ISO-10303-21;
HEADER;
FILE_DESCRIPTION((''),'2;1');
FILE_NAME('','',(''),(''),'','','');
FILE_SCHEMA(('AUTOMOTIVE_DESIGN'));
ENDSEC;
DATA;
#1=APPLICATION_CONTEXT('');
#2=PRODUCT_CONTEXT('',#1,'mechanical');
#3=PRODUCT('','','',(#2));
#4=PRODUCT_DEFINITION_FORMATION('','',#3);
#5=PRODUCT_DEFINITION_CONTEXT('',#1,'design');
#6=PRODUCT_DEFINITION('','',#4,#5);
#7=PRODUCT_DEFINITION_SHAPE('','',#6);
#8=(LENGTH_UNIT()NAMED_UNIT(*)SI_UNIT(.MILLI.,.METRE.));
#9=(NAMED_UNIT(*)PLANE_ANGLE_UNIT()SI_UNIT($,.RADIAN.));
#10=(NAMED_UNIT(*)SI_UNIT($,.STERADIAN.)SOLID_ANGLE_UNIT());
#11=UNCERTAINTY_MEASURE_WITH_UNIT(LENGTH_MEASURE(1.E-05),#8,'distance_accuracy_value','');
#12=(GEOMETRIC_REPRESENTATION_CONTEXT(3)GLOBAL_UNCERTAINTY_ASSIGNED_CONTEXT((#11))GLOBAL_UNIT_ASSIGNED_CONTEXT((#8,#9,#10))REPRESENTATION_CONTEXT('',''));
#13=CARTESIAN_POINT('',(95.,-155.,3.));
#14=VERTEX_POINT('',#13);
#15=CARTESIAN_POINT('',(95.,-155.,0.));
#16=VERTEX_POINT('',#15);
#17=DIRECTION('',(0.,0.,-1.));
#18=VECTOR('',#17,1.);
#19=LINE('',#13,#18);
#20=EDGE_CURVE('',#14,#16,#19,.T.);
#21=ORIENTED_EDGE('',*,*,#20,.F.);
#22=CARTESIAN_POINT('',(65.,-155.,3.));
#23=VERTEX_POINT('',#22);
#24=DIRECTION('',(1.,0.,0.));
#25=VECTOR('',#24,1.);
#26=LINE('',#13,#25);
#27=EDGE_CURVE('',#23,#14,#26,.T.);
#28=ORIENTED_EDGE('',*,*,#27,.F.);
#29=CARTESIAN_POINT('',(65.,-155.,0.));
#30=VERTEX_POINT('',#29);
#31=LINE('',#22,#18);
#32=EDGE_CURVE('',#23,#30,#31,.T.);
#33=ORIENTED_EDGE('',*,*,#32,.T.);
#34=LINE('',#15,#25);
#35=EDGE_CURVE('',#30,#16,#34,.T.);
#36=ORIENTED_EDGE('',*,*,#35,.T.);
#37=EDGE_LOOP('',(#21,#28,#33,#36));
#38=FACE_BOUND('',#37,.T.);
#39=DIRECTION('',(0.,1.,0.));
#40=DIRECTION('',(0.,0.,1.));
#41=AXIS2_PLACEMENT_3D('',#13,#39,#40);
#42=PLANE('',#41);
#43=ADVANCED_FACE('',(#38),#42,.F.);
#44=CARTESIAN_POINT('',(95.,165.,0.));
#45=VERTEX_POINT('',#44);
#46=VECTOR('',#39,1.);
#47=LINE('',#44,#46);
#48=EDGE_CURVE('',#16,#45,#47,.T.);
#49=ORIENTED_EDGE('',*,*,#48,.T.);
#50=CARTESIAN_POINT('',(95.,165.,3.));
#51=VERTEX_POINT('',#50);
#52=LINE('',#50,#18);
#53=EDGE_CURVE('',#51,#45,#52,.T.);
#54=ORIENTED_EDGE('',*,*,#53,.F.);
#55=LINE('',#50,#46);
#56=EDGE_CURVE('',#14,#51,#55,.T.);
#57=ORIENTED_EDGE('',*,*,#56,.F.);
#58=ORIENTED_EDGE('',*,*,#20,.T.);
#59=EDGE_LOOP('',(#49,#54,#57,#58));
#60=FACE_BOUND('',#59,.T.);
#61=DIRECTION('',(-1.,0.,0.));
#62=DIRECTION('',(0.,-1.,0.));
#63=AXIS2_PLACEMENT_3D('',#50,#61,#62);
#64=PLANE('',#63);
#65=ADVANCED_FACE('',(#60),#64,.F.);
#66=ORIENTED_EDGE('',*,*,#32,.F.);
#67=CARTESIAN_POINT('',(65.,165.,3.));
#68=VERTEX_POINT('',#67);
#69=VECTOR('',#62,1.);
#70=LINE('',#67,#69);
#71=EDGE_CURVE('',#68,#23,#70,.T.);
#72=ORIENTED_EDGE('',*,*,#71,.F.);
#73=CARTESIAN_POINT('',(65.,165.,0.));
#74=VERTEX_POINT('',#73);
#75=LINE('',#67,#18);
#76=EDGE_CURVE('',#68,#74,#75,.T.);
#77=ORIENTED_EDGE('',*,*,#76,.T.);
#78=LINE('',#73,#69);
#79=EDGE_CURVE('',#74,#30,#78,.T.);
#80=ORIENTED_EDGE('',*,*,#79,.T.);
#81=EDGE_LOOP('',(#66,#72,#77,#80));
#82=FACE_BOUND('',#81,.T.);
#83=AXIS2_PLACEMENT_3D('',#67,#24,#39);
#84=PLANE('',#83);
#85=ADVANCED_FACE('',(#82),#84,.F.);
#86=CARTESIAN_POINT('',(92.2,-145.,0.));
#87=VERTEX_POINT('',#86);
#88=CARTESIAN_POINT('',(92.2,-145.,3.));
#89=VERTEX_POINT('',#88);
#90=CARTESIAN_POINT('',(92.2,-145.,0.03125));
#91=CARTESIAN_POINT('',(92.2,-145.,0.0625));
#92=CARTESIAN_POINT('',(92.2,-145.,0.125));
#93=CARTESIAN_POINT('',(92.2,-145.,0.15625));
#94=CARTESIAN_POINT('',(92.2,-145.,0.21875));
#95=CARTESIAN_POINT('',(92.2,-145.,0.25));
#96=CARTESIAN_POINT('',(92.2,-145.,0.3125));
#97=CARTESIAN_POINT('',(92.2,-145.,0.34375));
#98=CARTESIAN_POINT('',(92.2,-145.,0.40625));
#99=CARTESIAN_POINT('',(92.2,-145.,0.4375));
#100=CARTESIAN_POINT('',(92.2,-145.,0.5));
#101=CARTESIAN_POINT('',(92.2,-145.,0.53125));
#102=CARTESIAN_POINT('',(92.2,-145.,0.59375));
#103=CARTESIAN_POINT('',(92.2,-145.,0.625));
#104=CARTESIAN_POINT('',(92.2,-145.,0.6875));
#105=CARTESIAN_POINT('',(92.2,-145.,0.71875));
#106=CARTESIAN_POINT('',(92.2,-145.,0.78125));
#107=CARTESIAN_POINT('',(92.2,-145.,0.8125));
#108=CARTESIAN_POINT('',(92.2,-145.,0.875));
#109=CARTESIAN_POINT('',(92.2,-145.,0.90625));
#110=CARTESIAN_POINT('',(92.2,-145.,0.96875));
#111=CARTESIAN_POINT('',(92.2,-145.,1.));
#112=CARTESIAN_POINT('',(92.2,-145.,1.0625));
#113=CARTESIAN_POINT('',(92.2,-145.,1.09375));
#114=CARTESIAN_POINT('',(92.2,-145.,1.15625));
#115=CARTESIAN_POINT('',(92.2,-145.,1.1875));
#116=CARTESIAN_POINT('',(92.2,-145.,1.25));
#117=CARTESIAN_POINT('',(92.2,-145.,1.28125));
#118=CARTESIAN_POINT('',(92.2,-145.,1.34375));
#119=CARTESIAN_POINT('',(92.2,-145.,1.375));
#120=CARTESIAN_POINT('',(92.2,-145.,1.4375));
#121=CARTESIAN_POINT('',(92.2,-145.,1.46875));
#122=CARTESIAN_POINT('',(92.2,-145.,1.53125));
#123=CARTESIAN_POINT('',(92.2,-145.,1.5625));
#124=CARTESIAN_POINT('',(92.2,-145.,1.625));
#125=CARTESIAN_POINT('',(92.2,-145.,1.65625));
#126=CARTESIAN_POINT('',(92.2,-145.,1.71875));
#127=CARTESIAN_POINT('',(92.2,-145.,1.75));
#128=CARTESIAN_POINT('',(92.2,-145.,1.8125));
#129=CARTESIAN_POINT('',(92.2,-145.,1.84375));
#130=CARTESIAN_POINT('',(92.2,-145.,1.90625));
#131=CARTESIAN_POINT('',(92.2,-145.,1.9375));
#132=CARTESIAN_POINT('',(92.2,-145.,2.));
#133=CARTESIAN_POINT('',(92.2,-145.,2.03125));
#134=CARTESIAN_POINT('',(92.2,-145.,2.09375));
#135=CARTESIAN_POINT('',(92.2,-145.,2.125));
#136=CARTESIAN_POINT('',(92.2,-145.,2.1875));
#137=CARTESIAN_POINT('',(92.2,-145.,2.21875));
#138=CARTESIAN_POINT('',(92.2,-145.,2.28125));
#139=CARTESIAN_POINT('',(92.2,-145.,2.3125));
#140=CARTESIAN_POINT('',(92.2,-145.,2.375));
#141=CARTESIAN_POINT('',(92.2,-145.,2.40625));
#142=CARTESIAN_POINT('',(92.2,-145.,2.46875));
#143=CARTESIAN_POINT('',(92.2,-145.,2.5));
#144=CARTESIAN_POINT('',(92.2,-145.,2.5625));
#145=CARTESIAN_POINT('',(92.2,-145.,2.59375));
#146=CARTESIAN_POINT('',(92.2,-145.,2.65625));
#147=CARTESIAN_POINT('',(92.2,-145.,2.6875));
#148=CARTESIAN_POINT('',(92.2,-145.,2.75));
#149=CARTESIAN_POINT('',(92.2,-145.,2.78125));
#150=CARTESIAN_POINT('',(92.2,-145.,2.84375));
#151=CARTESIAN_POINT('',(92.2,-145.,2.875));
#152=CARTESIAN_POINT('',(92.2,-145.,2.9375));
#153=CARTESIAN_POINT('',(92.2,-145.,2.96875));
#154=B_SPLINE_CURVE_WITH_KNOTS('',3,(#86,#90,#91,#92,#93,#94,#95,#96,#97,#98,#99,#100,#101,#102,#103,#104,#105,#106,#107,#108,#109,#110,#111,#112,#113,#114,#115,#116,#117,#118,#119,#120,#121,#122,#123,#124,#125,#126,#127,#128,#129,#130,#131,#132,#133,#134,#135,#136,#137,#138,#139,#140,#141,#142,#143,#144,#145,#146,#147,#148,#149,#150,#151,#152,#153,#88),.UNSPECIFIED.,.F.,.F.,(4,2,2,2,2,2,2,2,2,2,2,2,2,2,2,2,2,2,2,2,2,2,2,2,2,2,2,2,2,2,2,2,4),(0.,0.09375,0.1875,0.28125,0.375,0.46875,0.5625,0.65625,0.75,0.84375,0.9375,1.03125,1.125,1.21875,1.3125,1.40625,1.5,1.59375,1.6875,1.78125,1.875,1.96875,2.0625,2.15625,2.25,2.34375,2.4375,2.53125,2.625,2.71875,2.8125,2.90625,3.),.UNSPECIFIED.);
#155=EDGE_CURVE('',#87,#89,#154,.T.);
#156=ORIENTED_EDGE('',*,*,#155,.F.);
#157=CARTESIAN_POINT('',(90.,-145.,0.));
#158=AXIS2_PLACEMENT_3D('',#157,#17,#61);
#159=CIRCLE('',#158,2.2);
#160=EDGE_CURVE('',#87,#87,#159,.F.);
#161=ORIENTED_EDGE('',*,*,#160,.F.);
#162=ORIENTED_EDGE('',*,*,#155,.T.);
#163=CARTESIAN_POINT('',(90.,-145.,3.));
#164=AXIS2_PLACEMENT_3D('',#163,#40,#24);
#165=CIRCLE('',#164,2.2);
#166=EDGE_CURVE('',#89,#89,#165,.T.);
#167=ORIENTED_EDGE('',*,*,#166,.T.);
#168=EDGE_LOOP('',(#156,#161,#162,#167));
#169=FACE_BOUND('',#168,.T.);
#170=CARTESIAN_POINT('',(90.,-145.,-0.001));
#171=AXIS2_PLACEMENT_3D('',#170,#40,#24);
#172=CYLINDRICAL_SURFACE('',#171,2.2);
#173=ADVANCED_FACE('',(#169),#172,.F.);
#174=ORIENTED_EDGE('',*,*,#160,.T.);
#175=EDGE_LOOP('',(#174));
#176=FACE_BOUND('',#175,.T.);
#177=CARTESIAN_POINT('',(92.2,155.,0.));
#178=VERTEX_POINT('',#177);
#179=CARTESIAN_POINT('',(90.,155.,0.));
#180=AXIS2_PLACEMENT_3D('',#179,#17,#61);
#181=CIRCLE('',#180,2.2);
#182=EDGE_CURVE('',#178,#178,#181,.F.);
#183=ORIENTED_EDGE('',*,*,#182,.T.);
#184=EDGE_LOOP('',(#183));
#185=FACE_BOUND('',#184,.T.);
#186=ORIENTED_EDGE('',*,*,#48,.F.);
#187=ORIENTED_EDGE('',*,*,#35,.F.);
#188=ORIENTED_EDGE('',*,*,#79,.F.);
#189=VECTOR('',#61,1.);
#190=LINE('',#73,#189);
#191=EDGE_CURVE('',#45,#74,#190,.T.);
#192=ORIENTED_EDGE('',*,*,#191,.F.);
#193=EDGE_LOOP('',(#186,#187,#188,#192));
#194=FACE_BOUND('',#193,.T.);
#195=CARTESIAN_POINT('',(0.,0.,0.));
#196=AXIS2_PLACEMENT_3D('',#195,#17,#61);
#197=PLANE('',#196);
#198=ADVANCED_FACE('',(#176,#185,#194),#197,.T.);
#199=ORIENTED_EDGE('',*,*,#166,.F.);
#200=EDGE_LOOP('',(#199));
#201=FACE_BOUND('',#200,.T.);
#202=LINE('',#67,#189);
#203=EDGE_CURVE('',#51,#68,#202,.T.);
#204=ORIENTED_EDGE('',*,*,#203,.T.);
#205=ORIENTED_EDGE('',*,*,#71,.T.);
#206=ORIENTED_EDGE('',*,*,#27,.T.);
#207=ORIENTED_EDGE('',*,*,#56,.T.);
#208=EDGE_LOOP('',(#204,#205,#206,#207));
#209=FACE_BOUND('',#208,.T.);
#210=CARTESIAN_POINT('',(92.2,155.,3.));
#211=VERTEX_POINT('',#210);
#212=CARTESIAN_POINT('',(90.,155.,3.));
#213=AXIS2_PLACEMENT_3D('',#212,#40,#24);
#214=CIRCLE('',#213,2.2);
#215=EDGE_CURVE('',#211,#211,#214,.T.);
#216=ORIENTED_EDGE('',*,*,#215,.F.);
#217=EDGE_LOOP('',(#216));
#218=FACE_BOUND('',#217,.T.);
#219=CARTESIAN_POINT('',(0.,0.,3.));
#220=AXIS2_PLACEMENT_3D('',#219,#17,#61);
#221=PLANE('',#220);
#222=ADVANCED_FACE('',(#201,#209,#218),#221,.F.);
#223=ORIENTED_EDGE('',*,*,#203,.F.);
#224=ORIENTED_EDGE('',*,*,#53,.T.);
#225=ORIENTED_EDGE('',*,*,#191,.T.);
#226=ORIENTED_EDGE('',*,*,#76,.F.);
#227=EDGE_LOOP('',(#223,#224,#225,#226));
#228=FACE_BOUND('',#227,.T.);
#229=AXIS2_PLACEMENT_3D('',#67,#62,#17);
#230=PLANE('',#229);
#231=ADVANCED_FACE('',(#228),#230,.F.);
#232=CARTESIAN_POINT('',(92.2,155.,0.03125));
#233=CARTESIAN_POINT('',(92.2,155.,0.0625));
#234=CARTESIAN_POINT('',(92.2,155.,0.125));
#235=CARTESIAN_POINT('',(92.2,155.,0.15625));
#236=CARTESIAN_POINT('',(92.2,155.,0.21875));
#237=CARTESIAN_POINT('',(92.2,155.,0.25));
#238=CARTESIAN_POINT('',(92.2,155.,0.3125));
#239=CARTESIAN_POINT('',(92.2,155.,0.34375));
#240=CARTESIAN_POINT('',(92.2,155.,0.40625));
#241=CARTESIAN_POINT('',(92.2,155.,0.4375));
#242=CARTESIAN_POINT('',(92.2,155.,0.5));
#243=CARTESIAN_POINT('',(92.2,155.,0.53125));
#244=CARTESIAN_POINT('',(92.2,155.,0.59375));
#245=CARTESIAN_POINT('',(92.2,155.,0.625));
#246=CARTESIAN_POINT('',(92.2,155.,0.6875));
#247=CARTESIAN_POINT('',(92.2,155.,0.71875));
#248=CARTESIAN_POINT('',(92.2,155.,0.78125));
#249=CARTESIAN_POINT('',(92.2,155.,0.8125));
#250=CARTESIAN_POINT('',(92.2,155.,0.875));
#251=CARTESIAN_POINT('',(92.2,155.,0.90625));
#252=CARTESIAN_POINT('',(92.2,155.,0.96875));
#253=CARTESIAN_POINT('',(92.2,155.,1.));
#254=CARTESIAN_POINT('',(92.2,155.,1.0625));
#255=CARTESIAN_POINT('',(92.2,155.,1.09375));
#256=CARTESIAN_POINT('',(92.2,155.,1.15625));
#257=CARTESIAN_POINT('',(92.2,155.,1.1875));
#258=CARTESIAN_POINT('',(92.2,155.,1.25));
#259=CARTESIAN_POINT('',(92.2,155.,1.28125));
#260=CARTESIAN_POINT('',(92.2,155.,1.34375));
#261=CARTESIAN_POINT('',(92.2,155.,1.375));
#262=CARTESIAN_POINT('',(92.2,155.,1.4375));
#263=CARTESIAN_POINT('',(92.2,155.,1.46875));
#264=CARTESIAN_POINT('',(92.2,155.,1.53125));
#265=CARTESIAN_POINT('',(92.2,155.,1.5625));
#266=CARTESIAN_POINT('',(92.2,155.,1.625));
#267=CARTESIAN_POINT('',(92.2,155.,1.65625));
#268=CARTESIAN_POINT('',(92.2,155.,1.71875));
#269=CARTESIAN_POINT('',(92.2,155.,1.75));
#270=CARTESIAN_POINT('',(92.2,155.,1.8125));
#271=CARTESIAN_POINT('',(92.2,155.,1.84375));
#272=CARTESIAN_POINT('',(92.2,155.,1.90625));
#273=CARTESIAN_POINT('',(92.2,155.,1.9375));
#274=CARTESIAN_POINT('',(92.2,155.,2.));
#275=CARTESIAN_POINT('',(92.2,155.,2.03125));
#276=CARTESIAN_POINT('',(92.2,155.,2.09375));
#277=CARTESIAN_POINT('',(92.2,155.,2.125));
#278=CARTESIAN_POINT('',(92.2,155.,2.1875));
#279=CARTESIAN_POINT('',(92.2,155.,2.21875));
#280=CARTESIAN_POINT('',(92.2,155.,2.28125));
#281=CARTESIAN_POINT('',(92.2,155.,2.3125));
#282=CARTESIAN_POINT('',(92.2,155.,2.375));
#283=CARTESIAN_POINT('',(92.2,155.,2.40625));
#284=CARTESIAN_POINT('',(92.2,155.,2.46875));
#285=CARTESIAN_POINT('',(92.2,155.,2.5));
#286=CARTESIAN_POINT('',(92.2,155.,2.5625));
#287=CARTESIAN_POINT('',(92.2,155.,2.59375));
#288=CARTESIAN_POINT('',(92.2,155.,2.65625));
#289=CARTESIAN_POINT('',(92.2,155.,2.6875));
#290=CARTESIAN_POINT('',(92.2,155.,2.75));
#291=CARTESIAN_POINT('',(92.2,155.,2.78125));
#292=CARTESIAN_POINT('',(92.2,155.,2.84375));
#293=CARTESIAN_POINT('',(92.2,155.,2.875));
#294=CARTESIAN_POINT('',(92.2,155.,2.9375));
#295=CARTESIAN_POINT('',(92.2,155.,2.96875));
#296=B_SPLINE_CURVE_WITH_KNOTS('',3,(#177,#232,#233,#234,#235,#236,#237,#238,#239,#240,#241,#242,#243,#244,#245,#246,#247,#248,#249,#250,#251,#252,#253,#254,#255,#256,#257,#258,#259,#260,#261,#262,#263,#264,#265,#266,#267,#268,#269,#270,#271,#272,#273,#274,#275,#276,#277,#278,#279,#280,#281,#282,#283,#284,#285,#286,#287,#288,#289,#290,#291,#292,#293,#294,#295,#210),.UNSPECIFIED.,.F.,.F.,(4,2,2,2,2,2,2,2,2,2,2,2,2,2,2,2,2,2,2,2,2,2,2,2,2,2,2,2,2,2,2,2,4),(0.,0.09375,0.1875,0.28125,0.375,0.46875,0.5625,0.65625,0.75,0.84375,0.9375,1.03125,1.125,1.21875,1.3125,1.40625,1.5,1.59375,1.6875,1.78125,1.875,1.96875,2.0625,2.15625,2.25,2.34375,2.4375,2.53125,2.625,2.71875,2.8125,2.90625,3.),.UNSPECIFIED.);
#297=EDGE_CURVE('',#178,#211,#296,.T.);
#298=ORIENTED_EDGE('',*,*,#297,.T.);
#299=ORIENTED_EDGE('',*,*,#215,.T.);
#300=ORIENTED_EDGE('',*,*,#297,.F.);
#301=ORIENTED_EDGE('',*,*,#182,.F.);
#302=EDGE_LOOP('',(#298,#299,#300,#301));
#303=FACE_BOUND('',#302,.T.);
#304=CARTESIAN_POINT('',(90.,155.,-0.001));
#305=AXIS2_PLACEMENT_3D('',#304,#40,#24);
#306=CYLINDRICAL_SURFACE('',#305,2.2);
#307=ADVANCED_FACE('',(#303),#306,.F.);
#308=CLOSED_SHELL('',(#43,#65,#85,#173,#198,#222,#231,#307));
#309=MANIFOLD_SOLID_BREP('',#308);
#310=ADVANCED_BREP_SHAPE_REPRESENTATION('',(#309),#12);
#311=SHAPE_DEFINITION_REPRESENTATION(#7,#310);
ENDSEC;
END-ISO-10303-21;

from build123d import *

# Parameters (mm, degrees)
ESQUISSE1_W             = 30
ESQUISSE1_H             = 320
BOSS_EXTRU_1_DEPTH      = 3
ENL_V_MAT_EXTRU_1_REACH = 192.418
ESQUISSE2_R             = 2.2


with BuildPart() as part:
    # Esquisse1 → Boss.-Extru.1 (new body)
    with BuildSketch(Plane.XY):
        with Locations((80, 5)):
            Rectangle(ESQUISSE1_W, ESQUISSE1_H)
    extrude(amount=BOSS_EXTRU_1_DEPTH)

    # Esquisse2 → Enlèv. mat.-Extru.1 (cut, up to next)
    with BuildSketch(Plane.XY.offset(3), mode=Mode.PRIVATE) as enl_v_mat_extru_1_sk1:
        with Locations((90, -145)):
            Circle(ESQUISSE2_R)
    enl_v_mat_extru_1_tool1 = extrude(enl_v_mat_extru_1_sk1.sketch, amount=-ENL_V_MAT_EXTRU_1_REACH, mode=Mode.PRIVATE) & part.part
    # Esquisse2 → Enlèv. mat.-Extru.1 (cut, up to next)
    with BuildSketch(Plane.XY.offset(3), mode=Mode.PRIVATE) as enl_v_mat_extru_1_sk2:
        with Locations((90, 155)):
            Circle(ESQUISSE2_R)
    enl_v_mat_extru_1_tool2 = extrude(enl_v_mat_extru_1_sk2.sketch, amount=-ENL_V_MAT_EXTRU_1_REACH, mode=Mode.PRIVATE) & part.part
    add(enl_v_mat_extru_1_tool1.solids().sort_by_distance((90, -145, 3))[0], mode=Mode.SUBTRACT)
    add(enl_v_mat_extru_1_tool2.solids().sort_by_distance((90, 155, 3))[0], mode=Mode.SUBTRACT)


solid = part.part
